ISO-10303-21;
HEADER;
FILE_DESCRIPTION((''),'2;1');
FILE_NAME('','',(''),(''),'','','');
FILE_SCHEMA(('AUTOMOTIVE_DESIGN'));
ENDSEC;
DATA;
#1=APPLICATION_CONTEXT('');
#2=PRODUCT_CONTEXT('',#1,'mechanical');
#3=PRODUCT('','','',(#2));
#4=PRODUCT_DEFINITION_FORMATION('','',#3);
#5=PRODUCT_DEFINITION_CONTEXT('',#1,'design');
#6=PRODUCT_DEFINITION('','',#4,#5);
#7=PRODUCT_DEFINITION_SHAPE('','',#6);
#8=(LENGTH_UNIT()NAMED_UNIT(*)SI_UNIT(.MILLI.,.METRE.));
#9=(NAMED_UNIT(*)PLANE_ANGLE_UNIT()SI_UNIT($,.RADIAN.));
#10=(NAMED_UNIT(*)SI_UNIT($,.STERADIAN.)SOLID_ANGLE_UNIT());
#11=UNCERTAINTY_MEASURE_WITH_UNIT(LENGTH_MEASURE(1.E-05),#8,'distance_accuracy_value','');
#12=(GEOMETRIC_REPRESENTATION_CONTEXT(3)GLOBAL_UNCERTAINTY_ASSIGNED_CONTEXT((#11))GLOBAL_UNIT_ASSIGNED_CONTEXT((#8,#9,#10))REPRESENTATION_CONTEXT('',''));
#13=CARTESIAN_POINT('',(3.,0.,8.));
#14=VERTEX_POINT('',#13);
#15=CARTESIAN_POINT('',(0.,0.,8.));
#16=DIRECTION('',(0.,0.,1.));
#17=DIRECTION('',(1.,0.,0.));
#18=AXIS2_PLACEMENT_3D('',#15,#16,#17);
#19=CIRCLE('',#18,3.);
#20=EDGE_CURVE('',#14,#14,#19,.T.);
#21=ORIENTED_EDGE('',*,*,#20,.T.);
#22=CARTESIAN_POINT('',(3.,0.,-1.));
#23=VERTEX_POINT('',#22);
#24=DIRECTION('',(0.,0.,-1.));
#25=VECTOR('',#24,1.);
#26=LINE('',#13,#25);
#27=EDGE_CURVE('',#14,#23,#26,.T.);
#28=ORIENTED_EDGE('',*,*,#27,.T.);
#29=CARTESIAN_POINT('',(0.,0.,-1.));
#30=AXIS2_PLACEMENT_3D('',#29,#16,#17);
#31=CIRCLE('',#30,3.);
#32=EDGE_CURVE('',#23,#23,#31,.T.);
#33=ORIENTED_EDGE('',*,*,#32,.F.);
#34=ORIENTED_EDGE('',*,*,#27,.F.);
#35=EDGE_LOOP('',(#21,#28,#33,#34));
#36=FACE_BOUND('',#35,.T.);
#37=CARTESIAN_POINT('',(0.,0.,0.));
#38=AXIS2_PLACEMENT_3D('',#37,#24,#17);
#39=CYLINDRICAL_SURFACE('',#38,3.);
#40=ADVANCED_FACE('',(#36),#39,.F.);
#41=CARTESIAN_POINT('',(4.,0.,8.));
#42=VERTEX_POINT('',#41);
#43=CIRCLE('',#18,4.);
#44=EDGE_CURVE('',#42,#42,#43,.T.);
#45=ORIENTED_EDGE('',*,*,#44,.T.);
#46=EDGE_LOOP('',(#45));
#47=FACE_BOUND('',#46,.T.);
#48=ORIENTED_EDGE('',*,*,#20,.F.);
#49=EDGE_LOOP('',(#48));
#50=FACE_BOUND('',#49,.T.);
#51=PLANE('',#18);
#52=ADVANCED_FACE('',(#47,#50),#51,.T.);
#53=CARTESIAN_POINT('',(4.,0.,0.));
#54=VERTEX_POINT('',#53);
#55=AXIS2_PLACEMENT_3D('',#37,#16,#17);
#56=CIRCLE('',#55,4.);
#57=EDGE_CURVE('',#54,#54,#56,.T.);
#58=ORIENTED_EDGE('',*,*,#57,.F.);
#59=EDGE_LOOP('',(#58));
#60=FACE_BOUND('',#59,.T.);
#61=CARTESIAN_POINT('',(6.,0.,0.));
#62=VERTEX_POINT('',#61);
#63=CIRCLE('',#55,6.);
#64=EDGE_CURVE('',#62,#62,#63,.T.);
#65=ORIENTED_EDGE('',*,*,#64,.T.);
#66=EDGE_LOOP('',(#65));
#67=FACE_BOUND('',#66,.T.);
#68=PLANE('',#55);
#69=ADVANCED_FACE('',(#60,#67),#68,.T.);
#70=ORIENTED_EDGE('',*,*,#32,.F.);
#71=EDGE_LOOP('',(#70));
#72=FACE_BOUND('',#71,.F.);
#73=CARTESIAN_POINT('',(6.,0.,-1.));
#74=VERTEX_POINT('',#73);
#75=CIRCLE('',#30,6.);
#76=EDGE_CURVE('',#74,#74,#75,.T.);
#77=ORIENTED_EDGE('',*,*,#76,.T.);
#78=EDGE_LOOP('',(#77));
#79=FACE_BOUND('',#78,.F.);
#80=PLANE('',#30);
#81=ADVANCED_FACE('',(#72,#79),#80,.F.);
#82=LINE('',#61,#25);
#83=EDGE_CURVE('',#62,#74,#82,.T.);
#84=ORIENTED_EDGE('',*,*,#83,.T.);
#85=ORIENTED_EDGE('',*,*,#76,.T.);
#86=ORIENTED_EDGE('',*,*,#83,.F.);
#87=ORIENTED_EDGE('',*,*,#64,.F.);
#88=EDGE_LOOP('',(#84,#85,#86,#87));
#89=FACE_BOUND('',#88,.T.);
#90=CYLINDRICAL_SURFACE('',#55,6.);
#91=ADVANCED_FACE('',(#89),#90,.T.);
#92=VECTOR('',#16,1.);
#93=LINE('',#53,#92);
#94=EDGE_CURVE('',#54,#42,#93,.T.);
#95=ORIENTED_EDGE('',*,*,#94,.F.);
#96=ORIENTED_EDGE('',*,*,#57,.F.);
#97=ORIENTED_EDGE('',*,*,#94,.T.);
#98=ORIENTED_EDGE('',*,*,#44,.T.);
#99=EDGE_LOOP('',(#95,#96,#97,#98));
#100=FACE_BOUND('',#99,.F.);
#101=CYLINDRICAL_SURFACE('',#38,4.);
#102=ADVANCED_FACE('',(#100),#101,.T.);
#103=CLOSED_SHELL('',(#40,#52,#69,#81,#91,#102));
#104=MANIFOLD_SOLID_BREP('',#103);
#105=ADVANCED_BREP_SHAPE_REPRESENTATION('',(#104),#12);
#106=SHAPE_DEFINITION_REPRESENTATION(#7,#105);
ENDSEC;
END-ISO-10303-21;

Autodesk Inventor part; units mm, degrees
ref_plane "YZ Plane" through (0, 0, 0) normal (1, 0, 0) x (0, 1, 0)
ref_plane "XZ Plane" through (0, 0, 0) normal (0, 1, 0) x (-1, 0, 0)
ref_plane "XY Plane" through (0, 0, 0) normal (0, 0, 1) x (1, 0, 0)
sketch "スケッチ1" plane through (0, 0, 0) normal (0, 0, 1) x (1, 0, 0)
  circle A0 centre (0, 0) radius 3
  circle A1 centre (0, 0) radius 4
  circle A2 centre (0, 0) radius 6
  dimension "d0" = 6
  dimension "d1" = 8
  dimension "d4" = 12
extrude "押し出し1" add sketch "スケッチ1" along normal blind 8 contours A1
extrude "押し出し2" add sketch "スケッチ1" against normal blind 1 contours A1 | A2
properties part number "オイレスFd6D8L9" material "アセタール樹脂、黒"
